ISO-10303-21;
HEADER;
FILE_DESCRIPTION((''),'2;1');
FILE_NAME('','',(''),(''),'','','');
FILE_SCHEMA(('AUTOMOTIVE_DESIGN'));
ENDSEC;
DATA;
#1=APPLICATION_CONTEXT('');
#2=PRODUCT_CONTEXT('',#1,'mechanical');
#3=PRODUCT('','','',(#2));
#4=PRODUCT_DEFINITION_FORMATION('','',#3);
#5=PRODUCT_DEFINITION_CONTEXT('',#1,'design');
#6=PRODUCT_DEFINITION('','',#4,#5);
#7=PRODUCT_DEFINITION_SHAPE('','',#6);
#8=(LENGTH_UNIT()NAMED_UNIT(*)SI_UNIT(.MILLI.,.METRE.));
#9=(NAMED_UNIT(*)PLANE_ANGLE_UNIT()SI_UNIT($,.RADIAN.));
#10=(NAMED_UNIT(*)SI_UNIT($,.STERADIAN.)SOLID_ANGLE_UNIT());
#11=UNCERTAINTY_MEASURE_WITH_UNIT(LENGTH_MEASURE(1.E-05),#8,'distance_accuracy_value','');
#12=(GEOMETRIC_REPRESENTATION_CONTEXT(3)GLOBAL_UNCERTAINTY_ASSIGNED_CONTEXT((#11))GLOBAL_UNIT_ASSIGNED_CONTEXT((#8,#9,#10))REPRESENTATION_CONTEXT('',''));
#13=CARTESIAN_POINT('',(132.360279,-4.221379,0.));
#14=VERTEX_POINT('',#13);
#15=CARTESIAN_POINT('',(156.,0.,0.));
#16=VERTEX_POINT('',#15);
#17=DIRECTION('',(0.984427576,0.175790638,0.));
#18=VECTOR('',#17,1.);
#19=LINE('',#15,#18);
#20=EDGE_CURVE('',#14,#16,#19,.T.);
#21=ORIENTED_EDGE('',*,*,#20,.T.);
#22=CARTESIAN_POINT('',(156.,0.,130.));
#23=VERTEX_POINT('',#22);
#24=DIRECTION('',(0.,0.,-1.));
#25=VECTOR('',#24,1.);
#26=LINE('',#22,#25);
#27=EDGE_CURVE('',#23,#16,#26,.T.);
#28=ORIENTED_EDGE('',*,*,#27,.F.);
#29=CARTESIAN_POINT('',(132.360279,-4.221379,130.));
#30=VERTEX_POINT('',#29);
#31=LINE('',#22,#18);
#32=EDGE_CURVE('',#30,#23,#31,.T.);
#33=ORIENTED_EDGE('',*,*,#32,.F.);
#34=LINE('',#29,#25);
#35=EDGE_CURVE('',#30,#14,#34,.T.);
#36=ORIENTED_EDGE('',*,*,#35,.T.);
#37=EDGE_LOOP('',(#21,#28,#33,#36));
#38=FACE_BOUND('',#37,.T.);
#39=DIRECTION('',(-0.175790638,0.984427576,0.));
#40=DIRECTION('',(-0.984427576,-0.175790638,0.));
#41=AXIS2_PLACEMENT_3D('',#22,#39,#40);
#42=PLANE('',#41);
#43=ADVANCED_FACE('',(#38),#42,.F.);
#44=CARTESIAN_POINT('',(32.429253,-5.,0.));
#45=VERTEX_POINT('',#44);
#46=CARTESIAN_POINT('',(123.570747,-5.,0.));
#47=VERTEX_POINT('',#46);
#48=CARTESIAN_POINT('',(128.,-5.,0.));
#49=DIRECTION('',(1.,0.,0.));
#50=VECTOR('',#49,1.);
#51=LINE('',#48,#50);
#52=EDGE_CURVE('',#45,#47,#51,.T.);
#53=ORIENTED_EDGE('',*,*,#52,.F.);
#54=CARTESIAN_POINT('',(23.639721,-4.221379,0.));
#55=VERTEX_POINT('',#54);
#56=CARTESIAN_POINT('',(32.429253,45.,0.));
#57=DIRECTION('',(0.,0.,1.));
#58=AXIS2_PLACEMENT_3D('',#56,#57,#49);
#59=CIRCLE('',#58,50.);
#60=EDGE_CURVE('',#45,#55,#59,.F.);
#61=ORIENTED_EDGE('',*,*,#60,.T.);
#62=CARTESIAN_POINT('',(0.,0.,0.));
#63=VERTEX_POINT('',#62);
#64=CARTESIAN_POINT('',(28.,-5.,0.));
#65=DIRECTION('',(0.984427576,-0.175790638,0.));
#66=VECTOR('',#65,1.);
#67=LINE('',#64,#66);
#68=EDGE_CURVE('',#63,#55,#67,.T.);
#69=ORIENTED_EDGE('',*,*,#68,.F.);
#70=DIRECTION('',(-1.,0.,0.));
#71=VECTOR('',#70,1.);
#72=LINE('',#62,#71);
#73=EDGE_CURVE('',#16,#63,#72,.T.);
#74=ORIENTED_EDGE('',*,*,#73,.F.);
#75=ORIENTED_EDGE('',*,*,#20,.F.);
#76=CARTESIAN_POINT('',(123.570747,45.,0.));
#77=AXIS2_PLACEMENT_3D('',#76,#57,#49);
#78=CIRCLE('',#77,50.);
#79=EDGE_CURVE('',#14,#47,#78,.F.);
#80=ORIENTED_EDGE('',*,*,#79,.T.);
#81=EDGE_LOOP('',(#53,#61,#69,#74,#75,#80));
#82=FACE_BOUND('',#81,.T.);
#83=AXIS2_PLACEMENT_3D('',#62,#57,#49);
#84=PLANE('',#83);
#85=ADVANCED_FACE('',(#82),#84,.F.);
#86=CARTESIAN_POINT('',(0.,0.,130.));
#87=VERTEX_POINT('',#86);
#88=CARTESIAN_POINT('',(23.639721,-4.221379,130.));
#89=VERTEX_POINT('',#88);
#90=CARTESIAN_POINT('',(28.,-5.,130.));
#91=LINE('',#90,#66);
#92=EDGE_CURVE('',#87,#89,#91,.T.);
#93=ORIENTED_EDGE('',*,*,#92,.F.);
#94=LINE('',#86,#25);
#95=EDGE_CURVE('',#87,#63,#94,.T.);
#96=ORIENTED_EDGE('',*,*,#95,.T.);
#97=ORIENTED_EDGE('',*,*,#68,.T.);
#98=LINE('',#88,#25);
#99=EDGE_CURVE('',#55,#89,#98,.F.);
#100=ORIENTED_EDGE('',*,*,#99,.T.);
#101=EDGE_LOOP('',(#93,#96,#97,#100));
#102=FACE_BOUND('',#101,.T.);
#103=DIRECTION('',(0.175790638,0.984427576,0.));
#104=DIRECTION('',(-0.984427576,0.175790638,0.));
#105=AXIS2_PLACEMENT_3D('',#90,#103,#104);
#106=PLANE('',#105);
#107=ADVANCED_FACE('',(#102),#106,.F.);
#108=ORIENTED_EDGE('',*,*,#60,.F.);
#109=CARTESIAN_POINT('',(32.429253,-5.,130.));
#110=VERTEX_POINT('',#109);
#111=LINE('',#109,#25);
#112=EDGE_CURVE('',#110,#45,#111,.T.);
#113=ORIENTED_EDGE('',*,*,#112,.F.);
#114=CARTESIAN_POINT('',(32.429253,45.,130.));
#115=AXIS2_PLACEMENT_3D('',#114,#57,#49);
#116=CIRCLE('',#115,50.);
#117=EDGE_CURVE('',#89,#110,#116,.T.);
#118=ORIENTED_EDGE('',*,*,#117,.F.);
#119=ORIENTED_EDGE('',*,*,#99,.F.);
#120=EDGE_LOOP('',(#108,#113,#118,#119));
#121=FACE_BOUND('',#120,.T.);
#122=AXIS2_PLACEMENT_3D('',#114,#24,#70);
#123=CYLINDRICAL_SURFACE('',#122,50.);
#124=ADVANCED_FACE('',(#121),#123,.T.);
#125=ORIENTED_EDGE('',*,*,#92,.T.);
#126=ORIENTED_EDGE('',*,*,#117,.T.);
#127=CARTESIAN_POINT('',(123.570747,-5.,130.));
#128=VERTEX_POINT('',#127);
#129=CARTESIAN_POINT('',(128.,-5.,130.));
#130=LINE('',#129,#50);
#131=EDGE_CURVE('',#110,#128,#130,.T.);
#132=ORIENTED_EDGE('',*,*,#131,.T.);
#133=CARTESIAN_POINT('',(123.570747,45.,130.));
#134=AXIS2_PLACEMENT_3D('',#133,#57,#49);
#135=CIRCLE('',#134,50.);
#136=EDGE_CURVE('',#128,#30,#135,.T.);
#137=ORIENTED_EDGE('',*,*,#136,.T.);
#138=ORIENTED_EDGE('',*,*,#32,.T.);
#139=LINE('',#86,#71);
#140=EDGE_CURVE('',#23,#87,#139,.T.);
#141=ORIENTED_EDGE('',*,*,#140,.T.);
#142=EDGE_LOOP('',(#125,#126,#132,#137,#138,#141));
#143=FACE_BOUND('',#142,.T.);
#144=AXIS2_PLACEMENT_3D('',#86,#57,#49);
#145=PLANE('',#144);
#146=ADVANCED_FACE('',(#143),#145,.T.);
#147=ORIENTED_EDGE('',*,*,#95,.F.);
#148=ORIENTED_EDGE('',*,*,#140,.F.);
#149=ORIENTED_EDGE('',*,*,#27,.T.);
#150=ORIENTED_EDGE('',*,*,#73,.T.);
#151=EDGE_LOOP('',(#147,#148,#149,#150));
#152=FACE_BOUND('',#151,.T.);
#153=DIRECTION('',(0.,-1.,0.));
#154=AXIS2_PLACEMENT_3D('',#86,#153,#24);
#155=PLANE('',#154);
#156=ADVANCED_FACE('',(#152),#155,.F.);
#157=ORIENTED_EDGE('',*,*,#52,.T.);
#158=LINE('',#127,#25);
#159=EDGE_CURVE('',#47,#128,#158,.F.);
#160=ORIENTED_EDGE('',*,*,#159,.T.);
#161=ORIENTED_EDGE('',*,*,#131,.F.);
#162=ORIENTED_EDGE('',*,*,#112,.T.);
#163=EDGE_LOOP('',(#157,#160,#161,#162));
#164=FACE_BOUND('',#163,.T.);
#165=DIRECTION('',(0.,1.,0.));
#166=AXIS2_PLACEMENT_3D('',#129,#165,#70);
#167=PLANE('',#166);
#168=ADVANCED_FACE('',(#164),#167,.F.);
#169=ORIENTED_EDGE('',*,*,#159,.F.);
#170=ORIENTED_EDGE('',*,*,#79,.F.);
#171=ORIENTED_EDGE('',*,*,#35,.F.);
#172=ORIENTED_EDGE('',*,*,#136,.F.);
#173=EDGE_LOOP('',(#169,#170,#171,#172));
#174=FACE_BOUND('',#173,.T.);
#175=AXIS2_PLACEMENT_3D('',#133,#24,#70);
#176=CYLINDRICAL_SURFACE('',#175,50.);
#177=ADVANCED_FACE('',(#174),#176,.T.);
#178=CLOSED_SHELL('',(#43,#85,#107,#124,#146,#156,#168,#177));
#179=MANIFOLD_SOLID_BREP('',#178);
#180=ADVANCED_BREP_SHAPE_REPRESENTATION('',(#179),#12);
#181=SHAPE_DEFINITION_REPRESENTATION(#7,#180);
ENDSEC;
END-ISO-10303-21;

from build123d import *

# Parameters (mm, degrees)
BOSS_EXTRUDE1_DEPTH = 130
FILLET1_R           = 50


with BuildPart() as part:
    # Sketch1 → Boss-Extrude1 (new body)
    with BuildSketch(Plane.XY):
        Polygon((0, 0), (156, 0), (128, -5), (28, -5), align=None)
    extrude(amount=BOSS_EXTRUDE1_DEPTH)

    # Fillet1
    fillet1_edges = [part.edges().sort_by_distance(p)[0] for p in [
        (128, -5, 65),
        (28, -5, 65),
    ]]
    fillet(fillet1_edges, radius=FILLET1_R)


solid = part.part
